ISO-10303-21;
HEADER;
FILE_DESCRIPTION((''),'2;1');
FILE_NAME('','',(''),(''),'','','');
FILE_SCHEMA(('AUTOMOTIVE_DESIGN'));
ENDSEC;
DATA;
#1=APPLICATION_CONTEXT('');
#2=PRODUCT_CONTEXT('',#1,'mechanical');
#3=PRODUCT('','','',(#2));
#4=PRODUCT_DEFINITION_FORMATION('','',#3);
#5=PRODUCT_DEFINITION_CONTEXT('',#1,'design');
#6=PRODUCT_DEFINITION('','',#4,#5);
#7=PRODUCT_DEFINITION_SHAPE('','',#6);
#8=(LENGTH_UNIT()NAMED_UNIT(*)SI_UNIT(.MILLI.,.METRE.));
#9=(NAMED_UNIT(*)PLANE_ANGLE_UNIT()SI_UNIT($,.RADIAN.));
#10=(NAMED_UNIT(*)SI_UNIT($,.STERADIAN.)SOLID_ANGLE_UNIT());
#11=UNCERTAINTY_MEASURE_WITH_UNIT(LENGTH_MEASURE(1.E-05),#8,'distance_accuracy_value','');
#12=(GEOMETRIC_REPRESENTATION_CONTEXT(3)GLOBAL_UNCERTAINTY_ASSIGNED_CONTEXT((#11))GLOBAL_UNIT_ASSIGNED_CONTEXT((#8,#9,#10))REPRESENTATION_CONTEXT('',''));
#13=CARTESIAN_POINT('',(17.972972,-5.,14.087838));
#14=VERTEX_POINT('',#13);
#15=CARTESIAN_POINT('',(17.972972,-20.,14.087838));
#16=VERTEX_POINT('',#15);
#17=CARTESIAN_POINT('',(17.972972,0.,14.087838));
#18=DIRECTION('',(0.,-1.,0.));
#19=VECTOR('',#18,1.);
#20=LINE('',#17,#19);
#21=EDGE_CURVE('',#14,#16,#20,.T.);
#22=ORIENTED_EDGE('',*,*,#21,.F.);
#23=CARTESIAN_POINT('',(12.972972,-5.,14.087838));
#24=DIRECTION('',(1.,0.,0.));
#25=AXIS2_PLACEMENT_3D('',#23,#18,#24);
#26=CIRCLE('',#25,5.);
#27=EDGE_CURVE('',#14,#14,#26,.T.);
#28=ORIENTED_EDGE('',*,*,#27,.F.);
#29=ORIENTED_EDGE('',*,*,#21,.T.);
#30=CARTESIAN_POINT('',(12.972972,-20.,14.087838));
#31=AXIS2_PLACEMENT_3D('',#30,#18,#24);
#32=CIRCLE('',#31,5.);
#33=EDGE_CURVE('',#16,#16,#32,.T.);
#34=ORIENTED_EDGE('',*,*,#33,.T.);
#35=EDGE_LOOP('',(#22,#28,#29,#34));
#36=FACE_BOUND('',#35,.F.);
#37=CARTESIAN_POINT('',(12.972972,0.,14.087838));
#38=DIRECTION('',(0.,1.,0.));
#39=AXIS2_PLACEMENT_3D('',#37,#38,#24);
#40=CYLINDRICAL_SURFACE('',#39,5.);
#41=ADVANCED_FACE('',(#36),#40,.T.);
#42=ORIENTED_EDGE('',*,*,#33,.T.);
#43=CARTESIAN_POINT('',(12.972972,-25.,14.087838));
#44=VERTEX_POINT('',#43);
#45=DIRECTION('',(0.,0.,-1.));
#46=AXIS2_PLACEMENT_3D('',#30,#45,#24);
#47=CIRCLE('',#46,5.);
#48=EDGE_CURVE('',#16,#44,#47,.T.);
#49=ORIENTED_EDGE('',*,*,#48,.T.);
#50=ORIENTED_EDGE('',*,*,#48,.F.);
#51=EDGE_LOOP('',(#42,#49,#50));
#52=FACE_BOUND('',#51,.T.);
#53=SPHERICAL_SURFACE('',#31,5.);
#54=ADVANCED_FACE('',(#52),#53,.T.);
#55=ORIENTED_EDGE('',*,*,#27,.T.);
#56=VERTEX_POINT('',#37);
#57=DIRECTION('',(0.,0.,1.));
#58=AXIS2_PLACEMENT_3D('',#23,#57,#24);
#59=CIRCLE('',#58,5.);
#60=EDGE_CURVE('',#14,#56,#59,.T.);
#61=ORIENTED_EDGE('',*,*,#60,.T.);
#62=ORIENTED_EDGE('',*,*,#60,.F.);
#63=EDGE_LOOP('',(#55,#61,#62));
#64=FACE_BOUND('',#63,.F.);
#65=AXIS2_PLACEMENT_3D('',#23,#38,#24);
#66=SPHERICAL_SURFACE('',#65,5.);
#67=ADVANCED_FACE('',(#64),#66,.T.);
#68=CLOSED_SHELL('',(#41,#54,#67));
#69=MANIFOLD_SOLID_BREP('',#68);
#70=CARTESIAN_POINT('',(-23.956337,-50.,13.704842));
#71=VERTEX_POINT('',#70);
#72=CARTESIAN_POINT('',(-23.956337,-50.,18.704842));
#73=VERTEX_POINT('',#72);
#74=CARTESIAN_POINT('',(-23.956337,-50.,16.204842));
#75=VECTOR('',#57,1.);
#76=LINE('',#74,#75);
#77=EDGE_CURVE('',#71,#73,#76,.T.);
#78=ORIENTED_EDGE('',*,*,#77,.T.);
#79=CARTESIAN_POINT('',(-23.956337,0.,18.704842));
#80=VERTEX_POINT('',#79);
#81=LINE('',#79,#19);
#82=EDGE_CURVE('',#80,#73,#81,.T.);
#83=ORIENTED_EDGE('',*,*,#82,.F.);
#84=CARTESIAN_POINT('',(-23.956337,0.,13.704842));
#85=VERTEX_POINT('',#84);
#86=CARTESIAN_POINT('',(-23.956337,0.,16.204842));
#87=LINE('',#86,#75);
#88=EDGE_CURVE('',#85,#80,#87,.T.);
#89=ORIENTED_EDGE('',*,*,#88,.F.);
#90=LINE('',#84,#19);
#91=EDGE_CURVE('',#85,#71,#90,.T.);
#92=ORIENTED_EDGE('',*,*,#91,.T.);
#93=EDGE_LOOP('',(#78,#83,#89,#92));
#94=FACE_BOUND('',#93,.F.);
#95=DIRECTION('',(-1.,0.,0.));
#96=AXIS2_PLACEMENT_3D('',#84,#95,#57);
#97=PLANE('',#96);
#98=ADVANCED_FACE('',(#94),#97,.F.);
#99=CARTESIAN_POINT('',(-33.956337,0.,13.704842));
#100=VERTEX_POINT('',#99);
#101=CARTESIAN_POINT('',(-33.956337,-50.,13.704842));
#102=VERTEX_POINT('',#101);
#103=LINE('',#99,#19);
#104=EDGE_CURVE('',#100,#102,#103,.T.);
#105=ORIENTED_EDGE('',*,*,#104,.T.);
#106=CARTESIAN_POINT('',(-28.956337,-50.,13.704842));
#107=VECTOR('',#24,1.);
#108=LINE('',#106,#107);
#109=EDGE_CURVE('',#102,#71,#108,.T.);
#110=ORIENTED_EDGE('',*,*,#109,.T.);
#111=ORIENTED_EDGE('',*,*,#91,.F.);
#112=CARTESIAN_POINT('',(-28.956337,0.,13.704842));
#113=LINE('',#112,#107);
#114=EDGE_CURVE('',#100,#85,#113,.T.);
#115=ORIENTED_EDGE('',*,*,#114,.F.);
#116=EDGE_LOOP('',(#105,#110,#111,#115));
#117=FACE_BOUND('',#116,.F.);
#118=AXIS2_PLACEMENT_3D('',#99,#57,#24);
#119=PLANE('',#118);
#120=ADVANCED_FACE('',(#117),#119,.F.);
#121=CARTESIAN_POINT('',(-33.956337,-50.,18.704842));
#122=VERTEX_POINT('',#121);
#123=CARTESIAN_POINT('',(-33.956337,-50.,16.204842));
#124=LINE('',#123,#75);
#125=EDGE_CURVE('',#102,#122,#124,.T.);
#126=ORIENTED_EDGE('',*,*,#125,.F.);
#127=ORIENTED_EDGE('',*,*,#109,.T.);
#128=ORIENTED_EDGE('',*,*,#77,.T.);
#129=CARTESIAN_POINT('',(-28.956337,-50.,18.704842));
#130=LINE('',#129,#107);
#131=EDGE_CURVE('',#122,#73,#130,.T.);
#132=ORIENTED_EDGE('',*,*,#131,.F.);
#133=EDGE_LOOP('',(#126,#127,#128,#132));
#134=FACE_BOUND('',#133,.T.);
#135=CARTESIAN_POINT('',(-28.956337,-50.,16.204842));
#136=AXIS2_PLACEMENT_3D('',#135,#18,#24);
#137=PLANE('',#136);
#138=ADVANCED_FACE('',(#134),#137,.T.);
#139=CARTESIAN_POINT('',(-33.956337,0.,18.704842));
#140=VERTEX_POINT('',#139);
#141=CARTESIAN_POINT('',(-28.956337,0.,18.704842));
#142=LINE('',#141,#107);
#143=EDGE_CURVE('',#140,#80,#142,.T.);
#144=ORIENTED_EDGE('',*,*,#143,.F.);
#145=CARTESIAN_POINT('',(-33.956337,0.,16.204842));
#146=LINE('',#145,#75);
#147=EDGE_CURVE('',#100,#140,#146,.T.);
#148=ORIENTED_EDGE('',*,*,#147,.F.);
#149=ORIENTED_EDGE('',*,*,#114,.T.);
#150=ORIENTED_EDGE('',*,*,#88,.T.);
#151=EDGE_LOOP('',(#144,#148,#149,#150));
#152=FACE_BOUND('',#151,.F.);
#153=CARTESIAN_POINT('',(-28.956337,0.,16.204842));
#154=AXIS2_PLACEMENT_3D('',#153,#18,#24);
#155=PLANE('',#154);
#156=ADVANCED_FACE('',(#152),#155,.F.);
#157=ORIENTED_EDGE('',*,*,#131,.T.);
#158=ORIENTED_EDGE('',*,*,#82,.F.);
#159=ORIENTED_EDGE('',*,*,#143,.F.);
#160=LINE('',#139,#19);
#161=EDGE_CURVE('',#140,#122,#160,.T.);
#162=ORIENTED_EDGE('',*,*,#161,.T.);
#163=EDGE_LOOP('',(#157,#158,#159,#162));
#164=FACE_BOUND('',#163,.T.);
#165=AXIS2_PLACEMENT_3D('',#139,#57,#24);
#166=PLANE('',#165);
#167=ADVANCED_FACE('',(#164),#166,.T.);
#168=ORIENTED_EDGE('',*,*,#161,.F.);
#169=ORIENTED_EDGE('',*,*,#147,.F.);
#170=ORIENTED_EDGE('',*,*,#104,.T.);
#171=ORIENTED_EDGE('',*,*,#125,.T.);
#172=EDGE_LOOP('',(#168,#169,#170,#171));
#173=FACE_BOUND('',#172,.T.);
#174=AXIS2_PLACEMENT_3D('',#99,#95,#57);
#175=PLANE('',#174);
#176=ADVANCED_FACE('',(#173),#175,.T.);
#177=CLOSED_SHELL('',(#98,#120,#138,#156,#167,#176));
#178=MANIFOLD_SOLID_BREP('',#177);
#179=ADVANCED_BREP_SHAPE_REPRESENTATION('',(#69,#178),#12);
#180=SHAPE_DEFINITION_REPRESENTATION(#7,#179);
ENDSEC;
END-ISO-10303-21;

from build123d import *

# Parameters (mm, degrees)
F0_W     = 10
F0_H     = 5
F1_DEPTH = 50
F2_R     = 5
F3_DEPTH = 25
F4_R     = 5


with BuildPart() as f1:
    # F0 (on Front) → F1 (new body)
    with BuildSketch(Plane.XZ):
        with Locations((-28.956337, 16.204842)):
            Rectangle(F0_W, F0_H)
    extrude(amount=F1_DEPTH)


with BuildPart() as f3:
    # F2 (on Front) → F3 (new body)
    with BuildSketch(Plane.XZ):
        with Locations((12.972972, 14.087838)):
            Circle(F2_R)
    extrude(amount=F3_DEPTH)

    # F4
    f4_edges = [f3.edges().sort_by_distance(p)[0] for p in [
        (7.972972, -25, 14.087838),
        (7.972972, 0, 14.087838),
    ]]
    fillet(f4_edges, radius=F4_R)


solid = Compound([f1.part, f3.part])
